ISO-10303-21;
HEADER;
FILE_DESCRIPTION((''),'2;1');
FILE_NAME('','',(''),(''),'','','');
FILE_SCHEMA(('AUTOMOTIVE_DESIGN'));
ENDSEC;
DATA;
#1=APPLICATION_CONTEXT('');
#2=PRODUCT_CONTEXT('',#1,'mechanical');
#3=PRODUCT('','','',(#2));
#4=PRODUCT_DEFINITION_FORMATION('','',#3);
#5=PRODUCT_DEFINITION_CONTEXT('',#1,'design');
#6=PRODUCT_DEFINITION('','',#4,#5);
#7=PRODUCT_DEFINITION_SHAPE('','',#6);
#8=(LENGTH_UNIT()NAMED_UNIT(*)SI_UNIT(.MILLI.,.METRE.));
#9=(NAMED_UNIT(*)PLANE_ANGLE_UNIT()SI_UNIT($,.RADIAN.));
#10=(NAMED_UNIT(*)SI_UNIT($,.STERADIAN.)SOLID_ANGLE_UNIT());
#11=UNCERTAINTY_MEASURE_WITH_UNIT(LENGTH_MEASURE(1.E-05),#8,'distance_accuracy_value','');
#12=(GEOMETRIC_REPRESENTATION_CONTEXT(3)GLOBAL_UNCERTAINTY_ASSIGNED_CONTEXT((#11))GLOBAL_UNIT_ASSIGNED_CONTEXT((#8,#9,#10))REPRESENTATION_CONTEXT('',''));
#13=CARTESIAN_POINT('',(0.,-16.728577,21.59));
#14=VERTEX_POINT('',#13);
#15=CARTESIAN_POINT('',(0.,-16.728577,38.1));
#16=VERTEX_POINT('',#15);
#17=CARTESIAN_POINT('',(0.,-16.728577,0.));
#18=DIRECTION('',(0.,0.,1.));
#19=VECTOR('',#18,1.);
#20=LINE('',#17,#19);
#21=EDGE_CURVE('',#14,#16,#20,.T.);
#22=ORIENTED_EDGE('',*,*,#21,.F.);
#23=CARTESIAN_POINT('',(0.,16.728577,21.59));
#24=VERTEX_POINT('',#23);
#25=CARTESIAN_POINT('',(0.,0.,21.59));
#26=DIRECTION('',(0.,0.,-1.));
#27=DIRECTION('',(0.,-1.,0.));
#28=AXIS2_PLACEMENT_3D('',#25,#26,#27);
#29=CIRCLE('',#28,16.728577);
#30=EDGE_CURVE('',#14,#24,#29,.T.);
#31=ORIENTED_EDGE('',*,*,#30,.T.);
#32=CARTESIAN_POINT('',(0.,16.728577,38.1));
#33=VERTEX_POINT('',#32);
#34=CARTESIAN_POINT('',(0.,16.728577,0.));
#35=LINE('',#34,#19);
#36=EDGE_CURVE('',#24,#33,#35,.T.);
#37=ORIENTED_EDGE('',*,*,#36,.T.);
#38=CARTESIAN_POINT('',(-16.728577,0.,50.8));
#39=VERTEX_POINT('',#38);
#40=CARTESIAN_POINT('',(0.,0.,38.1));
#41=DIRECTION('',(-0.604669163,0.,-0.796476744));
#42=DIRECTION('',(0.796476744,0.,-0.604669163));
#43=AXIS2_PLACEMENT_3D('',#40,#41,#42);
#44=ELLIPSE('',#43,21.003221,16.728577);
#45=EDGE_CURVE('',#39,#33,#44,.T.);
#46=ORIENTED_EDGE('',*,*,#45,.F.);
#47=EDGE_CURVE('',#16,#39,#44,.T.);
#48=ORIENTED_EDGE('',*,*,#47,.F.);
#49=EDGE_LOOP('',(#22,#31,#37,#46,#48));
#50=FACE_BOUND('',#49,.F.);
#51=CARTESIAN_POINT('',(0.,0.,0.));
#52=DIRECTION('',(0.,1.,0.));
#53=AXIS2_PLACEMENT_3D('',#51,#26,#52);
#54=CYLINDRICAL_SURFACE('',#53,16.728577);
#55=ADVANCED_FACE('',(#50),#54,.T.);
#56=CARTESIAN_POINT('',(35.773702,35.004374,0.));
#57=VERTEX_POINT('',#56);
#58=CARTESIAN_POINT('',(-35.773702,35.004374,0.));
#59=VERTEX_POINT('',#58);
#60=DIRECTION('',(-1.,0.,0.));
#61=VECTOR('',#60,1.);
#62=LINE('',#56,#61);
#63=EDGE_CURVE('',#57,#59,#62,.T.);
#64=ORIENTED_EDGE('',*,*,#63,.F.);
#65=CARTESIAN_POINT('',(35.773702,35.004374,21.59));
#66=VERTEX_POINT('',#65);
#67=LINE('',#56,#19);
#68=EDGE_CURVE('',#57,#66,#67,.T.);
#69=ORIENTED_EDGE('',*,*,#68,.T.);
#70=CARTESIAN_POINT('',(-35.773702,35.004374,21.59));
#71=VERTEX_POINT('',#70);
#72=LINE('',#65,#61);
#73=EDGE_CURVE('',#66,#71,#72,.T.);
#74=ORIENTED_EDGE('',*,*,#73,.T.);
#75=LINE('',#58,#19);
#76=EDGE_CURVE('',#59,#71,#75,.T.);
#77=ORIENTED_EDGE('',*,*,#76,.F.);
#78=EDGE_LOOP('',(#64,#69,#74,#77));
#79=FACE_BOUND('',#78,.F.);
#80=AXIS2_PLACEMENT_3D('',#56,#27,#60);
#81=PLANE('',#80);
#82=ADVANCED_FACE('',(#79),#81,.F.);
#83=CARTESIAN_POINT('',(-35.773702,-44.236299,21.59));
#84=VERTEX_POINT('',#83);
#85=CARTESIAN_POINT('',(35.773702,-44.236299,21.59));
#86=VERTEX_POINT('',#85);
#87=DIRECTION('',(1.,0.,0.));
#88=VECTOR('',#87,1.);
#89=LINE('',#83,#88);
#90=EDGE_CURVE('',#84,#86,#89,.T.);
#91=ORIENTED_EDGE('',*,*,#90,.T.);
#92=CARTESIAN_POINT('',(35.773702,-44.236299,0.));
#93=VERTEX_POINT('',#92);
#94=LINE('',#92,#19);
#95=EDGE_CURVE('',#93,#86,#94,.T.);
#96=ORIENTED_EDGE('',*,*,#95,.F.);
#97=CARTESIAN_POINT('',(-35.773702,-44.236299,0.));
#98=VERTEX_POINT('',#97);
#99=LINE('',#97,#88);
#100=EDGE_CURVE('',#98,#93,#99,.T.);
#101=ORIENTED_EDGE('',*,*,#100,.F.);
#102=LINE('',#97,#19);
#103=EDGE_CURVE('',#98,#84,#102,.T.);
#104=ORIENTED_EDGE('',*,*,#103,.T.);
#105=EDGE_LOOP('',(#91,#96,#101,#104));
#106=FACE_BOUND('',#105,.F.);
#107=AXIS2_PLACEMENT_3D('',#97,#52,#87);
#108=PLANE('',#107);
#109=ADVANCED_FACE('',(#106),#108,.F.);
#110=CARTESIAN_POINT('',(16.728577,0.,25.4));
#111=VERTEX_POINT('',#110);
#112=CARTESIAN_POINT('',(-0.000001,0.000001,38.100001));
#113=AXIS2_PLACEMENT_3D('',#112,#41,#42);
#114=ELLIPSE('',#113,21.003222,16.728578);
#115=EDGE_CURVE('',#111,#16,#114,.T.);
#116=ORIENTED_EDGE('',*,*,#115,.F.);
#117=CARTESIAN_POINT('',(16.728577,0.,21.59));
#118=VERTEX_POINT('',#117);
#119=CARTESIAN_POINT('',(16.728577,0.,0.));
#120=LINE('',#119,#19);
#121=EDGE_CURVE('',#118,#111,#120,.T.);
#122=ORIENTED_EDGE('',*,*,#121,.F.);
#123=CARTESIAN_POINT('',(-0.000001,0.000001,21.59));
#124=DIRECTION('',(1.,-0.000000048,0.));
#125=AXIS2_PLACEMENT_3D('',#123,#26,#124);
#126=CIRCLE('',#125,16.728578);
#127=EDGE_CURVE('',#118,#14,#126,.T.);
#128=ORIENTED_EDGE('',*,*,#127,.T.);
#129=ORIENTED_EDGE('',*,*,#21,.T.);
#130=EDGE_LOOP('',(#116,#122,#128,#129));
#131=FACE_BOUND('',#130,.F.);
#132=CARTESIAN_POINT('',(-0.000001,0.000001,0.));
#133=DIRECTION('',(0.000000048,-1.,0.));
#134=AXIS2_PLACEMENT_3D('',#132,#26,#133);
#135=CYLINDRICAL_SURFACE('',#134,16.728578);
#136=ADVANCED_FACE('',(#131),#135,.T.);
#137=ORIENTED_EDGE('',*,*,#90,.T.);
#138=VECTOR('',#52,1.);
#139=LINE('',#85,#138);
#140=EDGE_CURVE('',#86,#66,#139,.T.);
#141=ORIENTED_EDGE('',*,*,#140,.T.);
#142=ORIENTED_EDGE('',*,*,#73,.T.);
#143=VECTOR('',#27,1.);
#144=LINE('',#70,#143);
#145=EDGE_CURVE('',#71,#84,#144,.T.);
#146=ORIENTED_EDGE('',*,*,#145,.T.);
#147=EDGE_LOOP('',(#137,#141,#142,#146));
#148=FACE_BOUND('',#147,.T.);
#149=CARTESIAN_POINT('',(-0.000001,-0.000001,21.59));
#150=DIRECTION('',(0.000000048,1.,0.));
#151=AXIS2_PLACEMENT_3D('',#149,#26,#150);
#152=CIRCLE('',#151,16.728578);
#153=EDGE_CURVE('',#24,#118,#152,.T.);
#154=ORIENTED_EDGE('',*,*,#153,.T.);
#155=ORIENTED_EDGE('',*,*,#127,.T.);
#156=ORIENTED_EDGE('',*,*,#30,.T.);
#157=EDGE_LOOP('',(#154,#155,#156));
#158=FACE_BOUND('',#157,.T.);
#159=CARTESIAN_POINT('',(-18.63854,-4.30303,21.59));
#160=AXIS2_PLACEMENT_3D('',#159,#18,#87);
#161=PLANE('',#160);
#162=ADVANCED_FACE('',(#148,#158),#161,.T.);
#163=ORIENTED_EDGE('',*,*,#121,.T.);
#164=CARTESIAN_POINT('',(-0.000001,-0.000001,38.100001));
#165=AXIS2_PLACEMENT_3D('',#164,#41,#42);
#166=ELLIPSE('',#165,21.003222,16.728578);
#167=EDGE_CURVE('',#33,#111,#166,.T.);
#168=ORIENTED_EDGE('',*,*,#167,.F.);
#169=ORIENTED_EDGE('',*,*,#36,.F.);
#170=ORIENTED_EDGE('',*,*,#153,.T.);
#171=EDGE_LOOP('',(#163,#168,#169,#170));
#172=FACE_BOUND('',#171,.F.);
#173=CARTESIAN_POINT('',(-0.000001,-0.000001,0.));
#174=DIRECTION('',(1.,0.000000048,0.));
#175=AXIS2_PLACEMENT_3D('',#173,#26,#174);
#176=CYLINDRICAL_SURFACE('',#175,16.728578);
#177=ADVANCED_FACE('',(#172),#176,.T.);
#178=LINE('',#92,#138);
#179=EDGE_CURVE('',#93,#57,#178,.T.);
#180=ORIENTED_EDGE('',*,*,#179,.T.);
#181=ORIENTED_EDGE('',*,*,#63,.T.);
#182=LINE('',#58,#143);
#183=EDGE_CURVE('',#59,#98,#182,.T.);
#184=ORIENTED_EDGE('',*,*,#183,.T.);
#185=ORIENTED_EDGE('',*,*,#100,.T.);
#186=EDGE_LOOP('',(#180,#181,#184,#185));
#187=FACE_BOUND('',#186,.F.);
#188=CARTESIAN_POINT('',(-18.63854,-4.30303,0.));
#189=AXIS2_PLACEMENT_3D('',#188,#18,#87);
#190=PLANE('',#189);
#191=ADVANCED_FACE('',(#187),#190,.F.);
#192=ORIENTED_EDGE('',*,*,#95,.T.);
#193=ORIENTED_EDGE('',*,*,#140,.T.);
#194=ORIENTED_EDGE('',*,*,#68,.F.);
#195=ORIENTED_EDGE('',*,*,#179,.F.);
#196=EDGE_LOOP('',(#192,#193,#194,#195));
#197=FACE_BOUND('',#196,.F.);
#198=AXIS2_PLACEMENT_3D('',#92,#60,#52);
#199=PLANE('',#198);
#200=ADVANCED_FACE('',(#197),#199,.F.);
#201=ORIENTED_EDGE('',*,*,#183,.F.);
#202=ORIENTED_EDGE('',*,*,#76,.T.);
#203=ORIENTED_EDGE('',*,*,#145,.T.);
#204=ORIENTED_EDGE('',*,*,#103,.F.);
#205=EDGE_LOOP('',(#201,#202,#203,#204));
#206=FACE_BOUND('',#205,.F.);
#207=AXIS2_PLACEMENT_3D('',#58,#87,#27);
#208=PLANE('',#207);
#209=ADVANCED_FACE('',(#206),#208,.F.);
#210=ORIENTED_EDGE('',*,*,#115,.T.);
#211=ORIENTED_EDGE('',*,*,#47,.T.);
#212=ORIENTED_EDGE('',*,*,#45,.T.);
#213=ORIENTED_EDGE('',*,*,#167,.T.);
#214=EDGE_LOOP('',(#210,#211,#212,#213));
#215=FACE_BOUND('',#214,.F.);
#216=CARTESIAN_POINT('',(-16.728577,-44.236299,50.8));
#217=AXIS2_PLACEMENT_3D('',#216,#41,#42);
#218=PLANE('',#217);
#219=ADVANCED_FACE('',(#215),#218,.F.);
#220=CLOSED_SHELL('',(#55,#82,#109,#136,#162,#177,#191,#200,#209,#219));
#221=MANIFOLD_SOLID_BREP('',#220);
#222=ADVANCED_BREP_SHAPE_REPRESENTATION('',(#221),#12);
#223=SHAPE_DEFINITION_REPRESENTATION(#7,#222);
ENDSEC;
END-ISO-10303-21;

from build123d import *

# Parameters (mm, degrees)
F1_DEPTH = 50.8
F2_DEPTH = 21.59
F4_DEPTH = 79.241672


with BuildPart() as f1:
    # F0 (on Top) → F1 (new body)
    with BuildSketch(Plane.XY):
        with BuildLine():
            ThreePointArc((0, -16.728577), (11.82889, -11.82889), (16.728577, 0))
            ThreePointArc((16.728577, 0), (11.82889, 11.82889), (0, 16.728577))
            Line((0, 16.728577), (0, -16.728577))
        make_face()
        with BuildLine():
            Line((0, -16.728577), (0, 16.728577))
            ThreePointArc((0, 16.728577), (-16.728577, 0), (0, -16.728577))
        make_face()
    extrude(amount=F1_DEPTH)

    # F0 (on Top) → F2 (join)
    with BuildSketch(Plane.XY):
        with BuildLine():
            ThreePointArc((0, -16.728577), (-16.728577, 0), (0, 16.728577))
            Line((0, 16.728577), (0, 35.004374))
            Line((0, 35.004374), (-35.773702, 35.004374))
            Line((-35.773702, 35.004374), (-35.773702, -44.236299))
            Line((-35.773702, -44.236299), (0, -44.236299))
            Line((0, -44.236299), (0, -16.728577))
        make_face()
        with BuildLine():
            ThreePointArc((0, 16.728577), (11.82889, 11.82889), (16.728577, 0))
            ThreePointArc((16.728577, 0), (11.82889, -11.82889), (0, -16.728577))
            Line((0, -16.728577), (0, -44.236299))
            Line((0, -44.236299), (35.773702, -44.236299))
            Line((35.773702, -44.236299), (35.773702, 35.004374))
            Line((35.773702, 35.004374), (0, 35.004374))
            Line((0, 35.004374), (0, 16.728577))
        make_face()
    extrude(amount=F2_DEPTH)

    # F3 (on face) → F4 (cut, through all)
    with BuildSketch(Plane.XZ.offset(44.236299)):
        Polygon((16.728577, 50.8), (-16.728577, 50.8), (16.728577, 25.4), align=None)
    extrude(amount=-F4_DEPTH, mode=Mode.SUBTRACT)


solid = f1.part
